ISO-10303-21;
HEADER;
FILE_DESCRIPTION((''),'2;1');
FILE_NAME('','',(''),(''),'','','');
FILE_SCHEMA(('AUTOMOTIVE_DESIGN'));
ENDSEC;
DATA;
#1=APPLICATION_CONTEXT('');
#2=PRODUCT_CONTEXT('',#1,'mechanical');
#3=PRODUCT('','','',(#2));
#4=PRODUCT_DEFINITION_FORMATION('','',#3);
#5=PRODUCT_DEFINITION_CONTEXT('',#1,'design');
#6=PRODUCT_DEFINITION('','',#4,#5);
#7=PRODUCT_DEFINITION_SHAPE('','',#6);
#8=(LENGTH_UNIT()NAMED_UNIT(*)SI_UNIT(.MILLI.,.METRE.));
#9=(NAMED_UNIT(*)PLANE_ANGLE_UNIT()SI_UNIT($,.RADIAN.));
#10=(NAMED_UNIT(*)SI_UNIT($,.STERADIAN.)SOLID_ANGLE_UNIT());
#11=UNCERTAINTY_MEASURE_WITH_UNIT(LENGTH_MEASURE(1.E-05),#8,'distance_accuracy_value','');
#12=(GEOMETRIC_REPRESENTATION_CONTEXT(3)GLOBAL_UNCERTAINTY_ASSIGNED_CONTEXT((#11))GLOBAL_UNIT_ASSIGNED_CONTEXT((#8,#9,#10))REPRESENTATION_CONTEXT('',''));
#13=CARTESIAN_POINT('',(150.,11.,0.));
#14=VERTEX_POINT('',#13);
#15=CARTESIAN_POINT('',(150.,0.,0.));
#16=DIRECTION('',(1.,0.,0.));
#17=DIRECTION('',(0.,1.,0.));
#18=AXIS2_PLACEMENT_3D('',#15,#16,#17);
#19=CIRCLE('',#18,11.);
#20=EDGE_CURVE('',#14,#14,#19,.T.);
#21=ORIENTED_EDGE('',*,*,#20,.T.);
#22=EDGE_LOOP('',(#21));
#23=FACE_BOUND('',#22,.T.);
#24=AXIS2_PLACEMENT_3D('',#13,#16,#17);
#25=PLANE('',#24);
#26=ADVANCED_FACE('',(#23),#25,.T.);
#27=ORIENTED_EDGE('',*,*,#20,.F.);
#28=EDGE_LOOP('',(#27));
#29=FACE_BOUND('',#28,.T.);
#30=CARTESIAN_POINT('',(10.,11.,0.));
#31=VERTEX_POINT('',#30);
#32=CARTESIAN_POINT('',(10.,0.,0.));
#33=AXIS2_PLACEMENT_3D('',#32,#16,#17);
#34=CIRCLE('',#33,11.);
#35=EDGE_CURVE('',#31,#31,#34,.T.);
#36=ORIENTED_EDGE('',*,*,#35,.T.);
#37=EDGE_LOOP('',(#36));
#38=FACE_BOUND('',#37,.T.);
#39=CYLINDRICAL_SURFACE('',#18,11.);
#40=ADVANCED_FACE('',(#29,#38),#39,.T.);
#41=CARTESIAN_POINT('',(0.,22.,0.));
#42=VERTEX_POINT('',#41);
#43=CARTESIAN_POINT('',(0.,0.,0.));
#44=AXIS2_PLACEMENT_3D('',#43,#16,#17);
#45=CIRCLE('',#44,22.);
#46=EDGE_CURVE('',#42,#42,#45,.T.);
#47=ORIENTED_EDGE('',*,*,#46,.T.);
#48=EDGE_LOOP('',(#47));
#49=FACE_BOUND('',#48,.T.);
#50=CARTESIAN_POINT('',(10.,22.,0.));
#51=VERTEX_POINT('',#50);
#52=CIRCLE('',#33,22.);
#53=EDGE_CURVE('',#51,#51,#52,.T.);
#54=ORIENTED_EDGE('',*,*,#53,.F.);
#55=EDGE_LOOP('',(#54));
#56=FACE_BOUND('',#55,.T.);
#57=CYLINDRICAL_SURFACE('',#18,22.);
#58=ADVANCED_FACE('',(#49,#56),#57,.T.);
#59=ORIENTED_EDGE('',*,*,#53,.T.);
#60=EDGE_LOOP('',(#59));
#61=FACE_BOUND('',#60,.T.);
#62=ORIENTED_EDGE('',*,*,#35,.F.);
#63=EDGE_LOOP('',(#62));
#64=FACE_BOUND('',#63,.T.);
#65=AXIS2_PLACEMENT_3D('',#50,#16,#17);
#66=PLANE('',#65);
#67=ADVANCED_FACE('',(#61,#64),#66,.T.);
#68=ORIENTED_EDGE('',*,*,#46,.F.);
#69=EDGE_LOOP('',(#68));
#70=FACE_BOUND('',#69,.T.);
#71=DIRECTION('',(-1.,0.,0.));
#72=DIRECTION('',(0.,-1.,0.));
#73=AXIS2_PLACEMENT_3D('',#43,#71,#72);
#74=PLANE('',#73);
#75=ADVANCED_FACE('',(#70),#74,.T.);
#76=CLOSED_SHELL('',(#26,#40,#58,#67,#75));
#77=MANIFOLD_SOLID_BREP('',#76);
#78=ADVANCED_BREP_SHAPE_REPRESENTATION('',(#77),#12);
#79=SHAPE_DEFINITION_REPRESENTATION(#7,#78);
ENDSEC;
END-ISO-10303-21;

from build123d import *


with BuildPart() as part:
    # Sketch4 → Revolve1 (revolve)
    with BuildSketch(Plane.XY):
        Polygon((0, 0), (0, 22), (10, 22), (10, 11), (150, 11), (150, 0), align=None)
    revolve(axis=Axis((150, 0, 0), (-1, 0, 0)))


solid = part.part
